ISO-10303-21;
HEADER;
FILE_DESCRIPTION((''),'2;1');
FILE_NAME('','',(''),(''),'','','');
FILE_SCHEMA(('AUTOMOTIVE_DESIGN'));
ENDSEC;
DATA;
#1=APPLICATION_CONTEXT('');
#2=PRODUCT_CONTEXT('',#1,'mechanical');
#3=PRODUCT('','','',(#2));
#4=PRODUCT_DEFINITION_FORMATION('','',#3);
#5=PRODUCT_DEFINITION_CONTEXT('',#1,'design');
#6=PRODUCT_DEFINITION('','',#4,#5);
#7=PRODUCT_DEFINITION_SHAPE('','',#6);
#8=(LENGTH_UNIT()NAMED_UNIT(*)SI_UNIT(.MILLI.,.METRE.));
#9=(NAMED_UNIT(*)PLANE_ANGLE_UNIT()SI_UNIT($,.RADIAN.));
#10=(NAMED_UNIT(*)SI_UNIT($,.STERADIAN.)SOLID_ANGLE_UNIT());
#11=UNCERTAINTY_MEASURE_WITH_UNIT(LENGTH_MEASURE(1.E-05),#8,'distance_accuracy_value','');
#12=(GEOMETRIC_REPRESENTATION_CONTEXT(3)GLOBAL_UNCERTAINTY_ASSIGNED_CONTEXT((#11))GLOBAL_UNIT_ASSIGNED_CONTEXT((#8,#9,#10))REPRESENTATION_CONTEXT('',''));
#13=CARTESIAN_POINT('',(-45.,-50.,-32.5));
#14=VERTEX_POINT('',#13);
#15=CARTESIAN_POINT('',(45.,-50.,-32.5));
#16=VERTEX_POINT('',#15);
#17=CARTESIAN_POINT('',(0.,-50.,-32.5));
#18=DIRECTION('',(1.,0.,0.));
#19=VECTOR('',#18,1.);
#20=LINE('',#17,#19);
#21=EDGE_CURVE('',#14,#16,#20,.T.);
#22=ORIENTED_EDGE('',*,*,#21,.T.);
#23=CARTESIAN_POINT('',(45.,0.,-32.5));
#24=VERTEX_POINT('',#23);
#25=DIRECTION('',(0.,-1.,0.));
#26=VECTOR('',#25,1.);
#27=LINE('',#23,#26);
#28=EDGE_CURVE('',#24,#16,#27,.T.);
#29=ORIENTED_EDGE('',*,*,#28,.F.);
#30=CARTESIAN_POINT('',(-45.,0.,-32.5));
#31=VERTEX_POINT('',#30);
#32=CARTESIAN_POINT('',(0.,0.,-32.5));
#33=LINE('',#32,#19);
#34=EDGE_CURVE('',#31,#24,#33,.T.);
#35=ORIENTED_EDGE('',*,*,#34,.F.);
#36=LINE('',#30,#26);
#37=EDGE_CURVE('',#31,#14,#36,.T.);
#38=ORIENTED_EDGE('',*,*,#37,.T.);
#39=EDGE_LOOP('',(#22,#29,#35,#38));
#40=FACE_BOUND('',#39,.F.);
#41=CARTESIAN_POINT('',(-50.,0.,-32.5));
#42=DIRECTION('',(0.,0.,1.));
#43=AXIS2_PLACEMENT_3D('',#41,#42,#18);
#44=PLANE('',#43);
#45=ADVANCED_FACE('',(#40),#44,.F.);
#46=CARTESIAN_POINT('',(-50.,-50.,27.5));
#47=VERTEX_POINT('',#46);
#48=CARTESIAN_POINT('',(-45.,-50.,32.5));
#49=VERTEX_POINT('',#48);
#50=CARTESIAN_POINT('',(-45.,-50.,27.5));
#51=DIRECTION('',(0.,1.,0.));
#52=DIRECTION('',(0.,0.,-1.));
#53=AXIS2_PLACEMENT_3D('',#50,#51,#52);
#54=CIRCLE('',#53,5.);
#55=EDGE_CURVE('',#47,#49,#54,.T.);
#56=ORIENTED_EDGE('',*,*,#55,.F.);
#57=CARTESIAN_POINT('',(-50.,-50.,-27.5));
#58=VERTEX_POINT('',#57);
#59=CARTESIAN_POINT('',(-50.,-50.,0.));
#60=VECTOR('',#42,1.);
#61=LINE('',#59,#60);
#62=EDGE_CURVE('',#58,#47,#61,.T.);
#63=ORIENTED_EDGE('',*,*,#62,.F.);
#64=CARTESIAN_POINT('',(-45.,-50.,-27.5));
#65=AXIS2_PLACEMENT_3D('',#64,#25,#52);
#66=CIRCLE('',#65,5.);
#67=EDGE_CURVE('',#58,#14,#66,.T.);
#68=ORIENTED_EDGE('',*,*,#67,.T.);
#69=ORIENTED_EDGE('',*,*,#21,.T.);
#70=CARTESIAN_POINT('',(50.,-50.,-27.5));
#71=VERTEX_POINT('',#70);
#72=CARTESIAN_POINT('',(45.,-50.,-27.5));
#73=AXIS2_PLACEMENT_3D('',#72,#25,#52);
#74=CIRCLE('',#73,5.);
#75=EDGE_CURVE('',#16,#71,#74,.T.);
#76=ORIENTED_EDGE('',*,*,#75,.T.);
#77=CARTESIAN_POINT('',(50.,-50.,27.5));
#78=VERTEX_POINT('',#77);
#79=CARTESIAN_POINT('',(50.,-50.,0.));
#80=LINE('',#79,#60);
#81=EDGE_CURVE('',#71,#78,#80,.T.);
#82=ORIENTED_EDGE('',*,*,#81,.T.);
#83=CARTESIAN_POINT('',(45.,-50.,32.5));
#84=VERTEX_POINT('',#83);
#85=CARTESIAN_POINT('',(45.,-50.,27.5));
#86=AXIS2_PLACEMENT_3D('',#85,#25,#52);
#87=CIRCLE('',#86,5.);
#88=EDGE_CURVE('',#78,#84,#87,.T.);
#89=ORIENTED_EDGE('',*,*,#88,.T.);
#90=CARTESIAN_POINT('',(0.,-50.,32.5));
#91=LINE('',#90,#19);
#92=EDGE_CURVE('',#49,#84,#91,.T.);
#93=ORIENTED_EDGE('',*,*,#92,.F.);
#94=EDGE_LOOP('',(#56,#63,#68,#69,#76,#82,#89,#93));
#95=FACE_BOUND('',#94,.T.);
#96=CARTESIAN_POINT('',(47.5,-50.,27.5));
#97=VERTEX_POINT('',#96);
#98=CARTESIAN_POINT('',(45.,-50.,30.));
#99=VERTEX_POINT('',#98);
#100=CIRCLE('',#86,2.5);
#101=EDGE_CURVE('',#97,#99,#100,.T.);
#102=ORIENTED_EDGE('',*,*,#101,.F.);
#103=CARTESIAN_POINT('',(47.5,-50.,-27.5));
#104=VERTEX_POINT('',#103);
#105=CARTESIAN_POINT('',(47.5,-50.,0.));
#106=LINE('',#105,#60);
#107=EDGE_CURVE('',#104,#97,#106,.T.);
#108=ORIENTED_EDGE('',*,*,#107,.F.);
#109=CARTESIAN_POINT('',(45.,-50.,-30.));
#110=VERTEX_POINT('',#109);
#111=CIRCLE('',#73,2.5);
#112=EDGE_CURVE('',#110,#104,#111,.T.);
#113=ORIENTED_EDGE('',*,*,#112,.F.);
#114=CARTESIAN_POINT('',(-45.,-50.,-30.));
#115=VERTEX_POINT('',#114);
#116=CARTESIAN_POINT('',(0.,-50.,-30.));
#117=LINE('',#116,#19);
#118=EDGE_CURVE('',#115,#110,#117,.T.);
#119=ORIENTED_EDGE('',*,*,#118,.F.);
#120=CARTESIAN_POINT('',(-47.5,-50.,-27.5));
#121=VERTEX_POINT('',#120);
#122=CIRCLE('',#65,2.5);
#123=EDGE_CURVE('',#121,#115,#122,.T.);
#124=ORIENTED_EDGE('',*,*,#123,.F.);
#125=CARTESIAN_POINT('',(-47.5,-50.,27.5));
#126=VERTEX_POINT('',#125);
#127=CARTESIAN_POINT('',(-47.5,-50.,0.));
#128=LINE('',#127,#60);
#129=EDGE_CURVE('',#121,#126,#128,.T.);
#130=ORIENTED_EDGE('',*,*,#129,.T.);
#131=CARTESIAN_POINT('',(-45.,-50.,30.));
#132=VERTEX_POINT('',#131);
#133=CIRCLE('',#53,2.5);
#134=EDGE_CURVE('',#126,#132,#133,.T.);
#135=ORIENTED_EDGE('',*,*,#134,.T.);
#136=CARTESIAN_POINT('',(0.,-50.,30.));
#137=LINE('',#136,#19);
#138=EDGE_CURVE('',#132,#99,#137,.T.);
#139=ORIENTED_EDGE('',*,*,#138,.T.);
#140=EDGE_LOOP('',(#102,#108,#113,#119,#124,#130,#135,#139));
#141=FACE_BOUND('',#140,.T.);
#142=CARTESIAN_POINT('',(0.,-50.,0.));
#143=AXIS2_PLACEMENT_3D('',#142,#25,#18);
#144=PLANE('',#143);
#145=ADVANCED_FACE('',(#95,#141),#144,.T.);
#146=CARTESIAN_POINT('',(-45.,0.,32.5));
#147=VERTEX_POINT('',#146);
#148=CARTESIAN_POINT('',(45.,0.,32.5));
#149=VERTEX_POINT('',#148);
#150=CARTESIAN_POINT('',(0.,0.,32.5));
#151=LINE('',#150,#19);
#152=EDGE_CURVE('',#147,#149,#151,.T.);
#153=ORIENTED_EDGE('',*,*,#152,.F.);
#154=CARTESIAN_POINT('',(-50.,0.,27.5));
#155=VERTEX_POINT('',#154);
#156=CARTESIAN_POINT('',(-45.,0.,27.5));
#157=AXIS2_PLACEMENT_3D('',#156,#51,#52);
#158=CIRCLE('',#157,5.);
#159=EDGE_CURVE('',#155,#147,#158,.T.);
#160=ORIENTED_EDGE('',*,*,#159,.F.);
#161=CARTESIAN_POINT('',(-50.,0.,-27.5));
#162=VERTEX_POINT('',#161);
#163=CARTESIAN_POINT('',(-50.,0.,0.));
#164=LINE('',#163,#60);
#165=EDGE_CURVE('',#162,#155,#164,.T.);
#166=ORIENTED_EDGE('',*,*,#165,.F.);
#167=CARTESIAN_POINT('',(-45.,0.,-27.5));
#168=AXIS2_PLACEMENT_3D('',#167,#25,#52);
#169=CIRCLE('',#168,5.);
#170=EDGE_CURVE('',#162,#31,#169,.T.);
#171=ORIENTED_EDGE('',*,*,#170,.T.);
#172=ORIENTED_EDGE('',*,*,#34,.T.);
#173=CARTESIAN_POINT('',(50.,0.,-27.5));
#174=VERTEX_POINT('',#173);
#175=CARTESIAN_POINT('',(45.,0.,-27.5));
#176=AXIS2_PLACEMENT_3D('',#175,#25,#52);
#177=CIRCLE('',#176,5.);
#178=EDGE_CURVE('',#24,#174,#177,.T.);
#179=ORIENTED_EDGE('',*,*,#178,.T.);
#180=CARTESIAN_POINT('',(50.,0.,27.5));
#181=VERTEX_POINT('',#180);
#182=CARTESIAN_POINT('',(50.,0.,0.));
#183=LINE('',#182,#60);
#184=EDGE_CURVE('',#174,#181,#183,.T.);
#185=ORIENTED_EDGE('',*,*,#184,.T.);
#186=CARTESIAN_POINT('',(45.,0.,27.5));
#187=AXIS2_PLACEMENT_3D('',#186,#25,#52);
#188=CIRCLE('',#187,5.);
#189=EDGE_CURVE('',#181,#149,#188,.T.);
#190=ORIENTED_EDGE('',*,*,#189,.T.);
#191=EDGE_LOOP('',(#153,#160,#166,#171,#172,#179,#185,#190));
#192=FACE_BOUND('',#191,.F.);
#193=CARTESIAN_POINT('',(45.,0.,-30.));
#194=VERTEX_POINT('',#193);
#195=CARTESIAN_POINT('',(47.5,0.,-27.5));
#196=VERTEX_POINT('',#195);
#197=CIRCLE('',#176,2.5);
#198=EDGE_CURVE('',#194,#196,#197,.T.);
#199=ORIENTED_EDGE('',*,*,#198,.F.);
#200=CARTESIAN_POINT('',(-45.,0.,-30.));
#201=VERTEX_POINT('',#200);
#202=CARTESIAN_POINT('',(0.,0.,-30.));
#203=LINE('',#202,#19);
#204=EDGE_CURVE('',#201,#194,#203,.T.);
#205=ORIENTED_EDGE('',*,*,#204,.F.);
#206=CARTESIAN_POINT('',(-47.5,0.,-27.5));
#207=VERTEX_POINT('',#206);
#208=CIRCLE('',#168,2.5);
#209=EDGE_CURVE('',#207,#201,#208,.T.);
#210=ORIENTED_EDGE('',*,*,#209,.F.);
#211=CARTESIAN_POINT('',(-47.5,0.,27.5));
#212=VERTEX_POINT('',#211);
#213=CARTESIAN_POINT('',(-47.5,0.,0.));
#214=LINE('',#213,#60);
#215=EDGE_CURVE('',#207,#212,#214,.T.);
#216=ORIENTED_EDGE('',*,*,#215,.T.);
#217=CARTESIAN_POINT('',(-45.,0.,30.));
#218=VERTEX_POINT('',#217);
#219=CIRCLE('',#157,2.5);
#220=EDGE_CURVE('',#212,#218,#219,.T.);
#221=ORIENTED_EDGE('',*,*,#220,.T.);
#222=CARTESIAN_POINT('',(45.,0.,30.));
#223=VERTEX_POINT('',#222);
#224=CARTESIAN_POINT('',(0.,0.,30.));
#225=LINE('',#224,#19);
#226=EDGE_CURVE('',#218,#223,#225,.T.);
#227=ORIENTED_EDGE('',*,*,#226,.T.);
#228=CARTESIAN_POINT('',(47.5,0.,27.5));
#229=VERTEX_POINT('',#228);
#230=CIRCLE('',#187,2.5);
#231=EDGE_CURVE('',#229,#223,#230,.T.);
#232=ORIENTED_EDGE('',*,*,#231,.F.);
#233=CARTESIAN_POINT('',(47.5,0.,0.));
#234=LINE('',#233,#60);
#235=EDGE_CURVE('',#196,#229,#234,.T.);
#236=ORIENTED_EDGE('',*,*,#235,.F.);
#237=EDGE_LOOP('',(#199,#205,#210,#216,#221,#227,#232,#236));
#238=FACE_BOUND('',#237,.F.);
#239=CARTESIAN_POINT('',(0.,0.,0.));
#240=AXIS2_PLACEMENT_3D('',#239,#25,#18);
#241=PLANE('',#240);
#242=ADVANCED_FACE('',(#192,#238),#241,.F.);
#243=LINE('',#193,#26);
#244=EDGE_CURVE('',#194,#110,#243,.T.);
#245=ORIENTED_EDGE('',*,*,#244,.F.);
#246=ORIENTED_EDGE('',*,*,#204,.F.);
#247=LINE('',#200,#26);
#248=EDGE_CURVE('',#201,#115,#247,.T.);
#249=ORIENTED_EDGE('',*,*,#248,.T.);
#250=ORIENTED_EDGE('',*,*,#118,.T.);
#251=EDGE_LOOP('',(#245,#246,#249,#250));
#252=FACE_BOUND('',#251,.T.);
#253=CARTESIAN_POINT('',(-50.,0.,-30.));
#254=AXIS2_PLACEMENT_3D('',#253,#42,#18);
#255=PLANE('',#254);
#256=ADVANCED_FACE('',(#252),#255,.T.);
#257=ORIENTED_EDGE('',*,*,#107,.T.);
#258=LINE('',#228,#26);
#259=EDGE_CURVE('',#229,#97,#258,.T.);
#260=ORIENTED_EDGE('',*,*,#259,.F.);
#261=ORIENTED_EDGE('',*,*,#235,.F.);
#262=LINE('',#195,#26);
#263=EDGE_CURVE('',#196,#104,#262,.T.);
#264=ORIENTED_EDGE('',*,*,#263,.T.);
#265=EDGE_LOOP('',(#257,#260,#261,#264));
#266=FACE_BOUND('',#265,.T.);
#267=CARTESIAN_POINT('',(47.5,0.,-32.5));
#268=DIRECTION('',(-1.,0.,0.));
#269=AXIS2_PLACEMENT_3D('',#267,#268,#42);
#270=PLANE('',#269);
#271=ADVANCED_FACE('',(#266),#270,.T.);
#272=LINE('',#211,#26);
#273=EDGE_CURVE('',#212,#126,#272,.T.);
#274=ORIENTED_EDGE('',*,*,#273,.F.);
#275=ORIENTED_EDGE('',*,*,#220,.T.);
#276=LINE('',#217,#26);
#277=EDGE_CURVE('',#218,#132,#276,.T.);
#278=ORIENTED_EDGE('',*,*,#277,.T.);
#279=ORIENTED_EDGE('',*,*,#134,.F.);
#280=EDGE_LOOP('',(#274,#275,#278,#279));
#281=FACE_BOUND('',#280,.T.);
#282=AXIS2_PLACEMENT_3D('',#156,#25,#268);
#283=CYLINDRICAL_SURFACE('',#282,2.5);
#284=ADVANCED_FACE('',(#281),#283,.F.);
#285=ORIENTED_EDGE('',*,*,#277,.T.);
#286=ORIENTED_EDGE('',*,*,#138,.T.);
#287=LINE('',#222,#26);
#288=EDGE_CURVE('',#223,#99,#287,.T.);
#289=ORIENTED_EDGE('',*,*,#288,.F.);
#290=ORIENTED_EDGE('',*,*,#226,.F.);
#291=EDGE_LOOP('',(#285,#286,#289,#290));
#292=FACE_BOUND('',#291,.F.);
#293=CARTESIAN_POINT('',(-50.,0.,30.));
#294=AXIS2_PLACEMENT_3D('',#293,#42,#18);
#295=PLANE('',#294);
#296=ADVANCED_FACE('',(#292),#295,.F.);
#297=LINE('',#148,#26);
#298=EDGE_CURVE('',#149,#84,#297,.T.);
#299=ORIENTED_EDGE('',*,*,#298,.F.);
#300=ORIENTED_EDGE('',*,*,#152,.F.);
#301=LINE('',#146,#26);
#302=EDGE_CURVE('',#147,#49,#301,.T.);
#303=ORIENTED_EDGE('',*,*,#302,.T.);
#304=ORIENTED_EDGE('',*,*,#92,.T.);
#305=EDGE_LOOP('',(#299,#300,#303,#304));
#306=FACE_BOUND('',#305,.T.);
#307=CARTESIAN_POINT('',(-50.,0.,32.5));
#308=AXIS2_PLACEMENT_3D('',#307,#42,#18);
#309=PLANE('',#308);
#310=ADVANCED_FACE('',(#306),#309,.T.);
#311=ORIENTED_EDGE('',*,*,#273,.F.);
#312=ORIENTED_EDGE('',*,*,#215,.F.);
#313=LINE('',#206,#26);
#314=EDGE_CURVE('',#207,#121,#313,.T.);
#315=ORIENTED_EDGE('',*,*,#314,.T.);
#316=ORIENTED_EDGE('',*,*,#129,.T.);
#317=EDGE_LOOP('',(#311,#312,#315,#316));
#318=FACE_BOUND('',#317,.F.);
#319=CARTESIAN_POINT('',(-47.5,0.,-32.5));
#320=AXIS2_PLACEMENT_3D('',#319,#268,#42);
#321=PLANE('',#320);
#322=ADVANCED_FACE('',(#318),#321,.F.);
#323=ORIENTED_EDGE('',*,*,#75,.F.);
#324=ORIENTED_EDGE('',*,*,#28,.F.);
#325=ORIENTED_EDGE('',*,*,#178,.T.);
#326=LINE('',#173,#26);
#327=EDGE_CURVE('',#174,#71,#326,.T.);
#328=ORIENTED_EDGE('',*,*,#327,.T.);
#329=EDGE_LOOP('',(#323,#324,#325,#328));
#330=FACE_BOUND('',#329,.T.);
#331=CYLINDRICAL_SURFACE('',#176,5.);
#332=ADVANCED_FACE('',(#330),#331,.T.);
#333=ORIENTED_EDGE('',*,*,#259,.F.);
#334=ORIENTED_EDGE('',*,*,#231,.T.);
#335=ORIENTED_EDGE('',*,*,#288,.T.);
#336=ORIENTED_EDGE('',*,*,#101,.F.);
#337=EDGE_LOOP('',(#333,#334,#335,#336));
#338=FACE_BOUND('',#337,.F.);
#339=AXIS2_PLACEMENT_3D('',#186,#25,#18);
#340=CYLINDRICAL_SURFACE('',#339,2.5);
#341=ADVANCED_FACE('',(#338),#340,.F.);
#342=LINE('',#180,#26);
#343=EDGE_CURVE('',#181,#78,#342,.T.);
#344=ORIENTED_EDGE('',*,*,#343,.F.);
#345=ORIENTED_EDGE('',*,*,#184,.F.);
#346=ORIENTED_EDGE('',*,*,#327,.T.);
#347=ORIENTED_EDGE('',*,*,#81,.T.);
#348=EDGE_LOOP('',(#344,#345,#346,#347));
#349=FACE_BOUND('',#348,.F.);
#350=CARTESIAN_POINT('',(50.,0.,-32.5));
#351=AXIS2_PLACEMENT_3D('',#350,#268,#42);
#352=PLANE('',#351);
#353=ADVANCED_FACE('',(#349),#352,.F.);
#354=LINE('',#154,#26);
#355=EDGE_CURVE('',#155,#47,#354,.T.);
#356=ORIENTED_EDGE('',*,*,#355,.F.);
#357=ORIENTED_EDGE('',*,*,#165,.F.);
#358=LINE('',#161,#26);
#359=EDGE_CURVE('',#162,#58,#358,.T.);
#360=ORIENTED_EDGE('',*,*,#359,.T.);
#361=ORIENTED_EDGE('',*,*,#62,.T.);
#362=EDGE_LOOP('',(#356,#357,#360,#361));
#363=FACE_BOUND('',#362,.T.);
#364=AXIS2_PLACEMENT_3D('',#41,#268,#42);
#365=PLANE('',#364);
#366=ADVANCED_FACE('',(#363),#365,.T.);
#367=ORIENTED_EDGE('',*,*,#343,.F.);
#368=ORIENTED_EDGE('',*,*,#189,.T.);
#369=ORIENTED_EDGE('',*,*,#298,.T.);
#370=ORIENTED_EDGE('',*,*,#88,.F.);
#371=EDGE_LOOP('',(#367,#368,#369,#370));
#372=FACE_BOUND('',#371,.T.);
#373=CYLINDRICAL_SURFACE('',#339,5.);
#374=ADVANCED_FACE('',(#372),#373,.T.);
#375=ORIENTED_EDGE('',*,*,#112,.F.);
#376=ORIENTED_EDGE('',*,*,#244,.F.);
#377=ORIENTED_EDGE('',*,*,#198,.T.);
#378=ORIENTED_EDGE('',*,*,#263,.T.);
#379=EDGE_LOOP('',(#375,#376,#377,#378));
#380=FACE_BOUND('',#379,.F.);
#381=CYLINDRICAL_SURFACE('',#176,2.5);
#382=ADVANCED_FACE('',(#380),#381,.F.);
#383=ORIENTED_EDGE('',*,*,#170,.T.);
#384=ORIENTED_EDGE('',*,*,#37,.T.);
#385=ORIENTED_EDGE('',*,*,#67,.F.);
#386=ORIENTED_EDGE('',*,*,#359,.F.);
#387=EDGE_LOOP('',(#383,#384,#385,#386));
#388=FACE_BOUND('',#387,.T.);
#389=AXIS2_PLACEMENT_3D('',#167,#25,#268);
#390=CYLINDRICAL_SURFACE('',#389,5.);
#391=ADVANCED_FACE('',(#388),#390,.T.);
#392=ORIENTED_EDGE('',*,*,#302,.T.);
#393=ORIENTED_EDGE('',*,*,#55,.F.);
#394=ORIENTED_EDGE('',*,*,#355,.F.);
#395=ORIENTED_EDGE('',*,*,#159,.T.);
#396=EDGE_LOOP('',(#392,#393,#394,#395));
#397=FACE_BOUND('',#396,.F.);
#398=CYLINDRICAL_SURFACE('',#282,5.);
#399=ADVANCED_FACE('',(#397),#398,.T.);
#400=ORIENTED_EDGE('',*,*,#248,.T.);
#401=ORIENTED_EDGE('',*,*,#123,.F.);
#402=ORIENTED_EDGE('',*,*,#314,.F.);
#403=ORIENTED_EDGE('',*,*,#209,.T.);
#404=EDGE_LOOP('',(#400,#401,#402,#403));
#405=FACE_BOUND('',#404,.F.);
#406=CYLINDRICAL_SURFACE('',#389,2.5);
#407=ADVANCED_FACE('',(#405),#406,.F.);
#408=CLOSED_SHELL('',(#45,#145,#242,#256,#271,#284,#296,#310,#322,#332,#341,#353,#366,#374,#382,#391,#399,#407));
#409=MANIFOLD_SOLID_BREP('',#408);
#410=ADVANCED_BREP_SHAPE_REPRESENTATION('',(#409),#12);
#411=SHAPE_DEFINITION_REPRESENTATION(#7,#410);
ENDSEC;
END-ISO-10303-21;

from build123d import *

# Parameters (mm, degrees)
F0_W     = 100
F0_H     = 65
F1_DEPTH = 50
F2_R     = 5
F3_T     = -2.5


with BuildPart() as f1:
    # F0 (on Front) → F1 (new body)
    with BuildSketch(Plane.XZ):
        Rectangle(F0_W, F0_H)
    extrude(amount=F1_DEPTH)

    # F2
    f2_edges = [f1.edges().sort_by_distance(p)[0] for p in [
        (-50, -25, 32.5),
        (-50, -25, -32.5),
        (50, -25, 32.5),
        (50, -25, -32.5),
    ]]
    fillet(f2_edges, radius=F2_R)

    # F3
    f3_openings = [f1.faces().sort_by_distance(p)[0] for p in [
        (0, -50, 0),
        (0, 0, 0),
    ]]
    offset(amount=F3_T, openings=f3_openings)


solid = f1.part
